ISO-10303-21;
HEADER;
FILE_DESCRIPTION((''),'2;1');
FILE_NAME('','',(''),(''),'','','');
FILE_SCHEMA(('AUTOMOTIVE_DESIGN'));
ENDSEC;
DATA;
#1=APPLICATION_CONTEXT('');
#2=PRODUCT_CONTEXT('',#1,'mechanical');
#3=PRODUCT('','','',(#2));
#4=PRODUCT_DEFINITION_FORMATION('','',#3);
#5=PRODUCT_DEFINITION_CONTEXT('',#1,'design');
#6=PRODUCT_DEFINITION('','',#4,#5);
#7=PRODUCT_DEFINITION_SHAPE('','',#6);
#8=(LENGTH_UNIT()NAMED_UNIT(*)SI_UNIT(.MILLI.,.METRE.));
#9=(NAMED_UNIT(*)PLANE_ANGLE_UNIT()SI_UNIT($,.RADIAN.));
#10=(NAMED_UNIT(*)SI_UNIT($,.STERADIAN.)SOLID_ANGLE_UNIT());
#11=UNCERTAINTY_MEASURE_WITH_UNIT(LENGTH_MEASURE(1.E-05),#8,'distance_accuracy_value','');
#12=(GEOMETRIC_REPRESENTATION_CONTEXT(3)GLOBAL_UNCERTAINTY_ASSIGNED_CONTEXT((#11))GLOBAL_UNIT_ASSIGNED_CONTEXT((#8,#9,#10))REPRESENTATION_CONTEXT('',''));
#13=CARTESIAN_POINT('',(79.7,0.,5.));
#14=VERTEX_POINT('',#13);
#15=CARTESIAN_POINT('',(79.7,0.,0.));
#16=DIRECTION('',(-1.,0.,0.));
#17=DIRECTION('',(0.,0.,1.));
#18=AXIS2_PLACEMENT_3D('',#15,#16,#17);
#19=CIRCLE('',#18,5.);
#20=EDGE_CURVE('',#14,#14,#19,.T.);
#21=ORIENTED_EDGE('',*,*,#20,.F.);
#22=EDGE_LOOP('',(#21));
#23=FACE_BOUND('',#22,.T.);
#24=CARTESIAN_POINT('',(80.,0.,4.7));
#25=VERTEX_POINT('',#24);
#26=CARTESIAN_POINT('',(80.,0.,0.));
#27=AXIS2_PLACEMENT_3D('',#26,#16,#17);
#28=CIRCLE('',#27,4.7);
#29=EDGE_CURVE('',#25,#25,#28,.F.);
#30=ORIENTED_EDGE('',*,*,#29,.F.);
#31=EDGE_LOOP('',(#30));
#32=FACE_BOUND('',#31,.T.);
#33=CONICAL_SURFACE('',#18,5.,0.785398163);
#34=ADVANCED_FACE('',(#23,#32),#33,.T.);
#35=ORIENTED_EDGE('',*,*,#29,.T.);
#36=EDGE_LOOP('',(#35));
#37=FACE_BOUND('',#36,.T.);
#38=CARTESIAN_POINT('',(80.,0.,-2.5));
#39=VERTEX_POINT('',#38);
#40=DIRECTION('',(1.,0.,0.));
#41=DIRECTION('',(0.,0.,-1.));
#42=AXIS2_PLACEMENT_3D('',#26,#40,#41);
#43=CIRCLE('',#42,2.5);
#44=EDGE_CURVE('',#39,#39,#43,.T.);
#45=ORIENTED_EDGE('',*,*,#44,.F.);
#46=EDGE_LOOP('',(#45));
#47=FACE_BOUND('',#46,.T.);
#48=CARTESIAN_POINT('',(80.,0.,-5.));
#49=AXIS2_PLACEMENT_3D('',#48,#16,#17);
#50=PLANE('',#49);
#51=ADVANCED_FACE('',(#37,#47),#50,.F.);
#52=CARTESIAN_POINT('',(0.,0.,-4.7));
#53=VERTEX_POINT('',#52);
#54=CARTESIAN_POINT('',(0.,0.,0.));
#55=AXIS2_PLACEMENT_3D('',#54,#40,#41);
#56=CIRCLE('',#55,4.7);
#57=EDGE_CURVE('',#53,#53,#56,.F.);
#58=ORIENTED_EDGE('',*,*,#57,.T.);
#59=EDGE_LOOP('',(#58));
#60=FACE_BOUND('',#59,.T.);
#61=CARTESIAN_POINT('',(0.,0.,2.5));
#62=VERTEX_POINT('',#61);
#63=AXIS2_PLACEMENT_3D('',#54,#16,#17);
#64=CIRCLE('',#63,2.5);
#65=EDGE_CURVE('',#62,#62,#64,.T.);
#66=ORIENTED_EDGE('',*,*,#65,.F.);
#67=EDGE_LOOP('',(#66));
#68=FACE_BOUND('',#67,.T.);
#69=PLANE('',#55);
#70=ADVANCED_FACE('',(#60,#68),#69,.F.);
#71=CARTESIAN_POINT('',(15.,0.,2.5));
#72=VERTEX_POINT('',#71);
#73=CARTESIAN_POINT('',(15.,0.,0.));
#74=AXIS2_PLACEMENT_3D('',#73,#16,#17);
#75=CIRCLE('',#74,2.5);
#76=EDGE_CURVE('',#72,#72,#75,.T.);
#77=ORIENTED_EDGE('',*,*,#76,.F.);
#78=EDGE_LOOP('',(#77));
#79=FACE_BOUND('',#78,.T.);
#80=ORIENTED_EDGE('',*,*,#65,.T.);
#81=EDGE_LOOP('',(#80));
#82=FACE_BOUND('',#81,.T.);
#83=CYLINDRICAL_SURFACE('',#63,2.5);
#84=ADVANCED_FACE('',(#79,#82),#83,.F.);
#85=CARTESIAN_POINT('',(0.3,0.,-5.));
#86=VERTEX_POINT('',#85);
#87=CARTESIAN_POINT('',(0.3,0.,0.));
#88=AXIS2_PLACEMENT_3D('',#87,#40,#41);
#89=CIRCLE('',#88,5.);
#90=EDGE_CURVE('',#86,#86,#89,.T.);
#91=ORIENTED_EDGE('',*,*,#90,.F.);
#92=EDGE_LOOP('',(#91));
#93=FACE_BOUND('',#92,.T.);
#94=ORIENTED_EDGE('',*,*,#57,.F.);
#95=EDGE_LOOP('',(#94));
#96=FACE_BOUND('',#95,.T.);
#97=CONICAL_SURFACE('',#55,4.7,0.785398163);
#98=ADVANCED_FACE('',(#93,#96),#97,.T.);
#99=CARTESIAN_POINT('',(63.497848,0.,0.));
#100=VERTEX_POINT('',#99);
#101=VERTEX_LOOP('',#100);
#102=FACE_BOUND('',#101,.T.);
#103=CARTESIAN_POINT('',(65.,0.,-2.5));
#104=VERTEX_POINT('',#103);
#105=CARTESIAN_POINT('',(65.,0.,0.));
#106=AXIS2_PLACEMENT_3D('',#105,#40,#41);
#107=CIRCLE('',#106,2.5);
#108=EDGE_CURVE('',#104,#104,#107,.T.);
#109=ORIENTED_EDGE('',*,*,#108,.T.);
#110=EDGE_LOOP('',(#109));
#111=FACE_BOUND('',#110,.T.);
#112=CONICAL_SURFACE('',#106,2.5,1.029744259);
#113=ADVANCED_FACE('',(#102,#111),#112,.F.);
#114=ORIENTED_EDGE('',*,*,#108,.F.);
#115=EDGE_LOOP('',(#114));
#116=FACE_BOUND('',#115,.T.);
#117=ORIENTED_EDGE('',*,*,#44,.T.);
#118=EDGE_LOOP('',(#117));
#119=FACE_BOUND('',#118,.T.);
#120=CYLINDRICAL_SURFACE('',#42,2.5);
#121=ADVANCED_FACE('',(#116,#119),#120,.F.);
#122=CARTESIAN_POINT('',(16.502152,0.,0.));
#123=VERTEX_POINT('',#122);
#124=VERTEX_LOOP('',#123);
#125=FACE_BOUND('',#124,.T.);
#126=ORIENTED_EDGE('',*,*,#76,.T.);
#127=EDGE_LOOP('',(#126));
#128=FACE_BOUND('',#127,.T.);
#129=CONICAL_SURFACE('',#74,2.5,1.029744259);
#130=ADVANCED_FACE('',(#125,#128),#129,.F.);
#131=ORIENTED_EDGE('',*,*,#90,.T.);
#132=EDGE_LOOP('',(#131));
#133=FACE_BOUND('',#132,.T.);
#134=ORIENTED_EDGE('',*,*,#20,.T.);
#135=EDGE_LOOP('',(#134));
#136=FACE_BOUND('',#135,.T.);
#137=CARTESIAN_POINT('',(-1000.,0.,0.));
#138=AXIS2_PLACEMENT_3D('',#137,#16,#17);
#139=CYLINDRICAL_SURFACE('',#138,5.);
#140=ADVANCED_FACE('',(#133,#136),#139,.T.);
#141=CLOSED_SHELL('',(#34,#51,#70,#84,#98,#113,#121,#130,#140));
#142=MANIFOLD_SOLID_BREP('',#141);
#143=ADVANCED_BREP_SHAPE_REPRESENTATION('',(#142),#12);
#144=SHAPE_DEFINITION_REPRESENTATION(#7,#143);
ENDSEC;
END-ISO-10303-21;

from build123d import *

# Parameters (mm, degrees)
SKETCH_1_W             = 80
SKETCH_1_H             = 5
HOLE_WIZARD_M6_1_D     = 5
HOLE_WIZARD_M6_1_DEPTH = 15
HOLE_WIZARD_M6_1_TIP   = 1.502151548
HOLE_WIZARD_M6_2_D     = 5
HOLE_WIZARD_M6_2_DEPTH = 15
HOLE_WIZARD_M6_2_TIP   = 1.502151548
CHAMFER_1_SIZE         = 0.3


with BuildPart() as part:
    # 草图1 → 旋转1 (revolve)
    with BuildSketch(Plane(origin=(0, 0, 0), x_dir=(1, 0, 0), z_dir=(0, 1, 0)), mode=Mode.PRIVATE) as revolve_1_sk:
        with Locations((40, 2.5)):
            Rectangle(SKETCH_1_W, SKETCH_1_H)
    revolve(revolve_1_sk.sketch.rotate(Axis((-1000, 0, 0), (1, 0, 0)), 180), axis=Axis((-1000, 0, 0), (1, 0, 0)))

    # M6 螺纹孔1
    with Locations(Plane(origin=(80, 0, 0), x_dir=(0, 0, -1), z_dir=(1, 0, 0))):
        with Locations((0, 0)):
            Hole(HOLE_WIZARD_M6_1_D / 2, depth=HOLE_WIZARD_M6_1_DEPTH)
            with Locations((0, 0, -(HOLE_WIZARD_M6_1_DEPTH + HOLE_WIZARD_M6_1_TIP / 2))):  # 118° drill point
                Cone(0, HOLE_WIZARD_M6_1_D / 2, HOLE_WIZARD_M6_1_TIP, mode=Mode.SUBTRACT)

    # M6 螺纹孔2
    with Locations(Plane.ZY):
        with Locations((0, 0)):
            Hole(HOLE_WIZARD_M6_2_D / 2, depth=HOLE_WIZARD_M6_2_DEPTH)
            with Locations((0, 0, -(HOLE_WIZARD_M6_2_DEPTH + HOLE_WIZARD_M6_2_TIP / 2))):  # 118° drill point
                Cone(0, HOLE_WIZARD_M6_2_D / 2, HOLE_WIZARD_M6_2_TIP, mode=Mode.SUBTRACT)

    # 倒角1
    chamfer_1_edges = [part.edges().sort_by_distance(p)[0] for p in [
        (80, 0, -5),
        (0, 0, -5),
    ]]
    chamfer(chamfer_1_edges, length=CHAMFER_1_SIZE)


solid = part.part
